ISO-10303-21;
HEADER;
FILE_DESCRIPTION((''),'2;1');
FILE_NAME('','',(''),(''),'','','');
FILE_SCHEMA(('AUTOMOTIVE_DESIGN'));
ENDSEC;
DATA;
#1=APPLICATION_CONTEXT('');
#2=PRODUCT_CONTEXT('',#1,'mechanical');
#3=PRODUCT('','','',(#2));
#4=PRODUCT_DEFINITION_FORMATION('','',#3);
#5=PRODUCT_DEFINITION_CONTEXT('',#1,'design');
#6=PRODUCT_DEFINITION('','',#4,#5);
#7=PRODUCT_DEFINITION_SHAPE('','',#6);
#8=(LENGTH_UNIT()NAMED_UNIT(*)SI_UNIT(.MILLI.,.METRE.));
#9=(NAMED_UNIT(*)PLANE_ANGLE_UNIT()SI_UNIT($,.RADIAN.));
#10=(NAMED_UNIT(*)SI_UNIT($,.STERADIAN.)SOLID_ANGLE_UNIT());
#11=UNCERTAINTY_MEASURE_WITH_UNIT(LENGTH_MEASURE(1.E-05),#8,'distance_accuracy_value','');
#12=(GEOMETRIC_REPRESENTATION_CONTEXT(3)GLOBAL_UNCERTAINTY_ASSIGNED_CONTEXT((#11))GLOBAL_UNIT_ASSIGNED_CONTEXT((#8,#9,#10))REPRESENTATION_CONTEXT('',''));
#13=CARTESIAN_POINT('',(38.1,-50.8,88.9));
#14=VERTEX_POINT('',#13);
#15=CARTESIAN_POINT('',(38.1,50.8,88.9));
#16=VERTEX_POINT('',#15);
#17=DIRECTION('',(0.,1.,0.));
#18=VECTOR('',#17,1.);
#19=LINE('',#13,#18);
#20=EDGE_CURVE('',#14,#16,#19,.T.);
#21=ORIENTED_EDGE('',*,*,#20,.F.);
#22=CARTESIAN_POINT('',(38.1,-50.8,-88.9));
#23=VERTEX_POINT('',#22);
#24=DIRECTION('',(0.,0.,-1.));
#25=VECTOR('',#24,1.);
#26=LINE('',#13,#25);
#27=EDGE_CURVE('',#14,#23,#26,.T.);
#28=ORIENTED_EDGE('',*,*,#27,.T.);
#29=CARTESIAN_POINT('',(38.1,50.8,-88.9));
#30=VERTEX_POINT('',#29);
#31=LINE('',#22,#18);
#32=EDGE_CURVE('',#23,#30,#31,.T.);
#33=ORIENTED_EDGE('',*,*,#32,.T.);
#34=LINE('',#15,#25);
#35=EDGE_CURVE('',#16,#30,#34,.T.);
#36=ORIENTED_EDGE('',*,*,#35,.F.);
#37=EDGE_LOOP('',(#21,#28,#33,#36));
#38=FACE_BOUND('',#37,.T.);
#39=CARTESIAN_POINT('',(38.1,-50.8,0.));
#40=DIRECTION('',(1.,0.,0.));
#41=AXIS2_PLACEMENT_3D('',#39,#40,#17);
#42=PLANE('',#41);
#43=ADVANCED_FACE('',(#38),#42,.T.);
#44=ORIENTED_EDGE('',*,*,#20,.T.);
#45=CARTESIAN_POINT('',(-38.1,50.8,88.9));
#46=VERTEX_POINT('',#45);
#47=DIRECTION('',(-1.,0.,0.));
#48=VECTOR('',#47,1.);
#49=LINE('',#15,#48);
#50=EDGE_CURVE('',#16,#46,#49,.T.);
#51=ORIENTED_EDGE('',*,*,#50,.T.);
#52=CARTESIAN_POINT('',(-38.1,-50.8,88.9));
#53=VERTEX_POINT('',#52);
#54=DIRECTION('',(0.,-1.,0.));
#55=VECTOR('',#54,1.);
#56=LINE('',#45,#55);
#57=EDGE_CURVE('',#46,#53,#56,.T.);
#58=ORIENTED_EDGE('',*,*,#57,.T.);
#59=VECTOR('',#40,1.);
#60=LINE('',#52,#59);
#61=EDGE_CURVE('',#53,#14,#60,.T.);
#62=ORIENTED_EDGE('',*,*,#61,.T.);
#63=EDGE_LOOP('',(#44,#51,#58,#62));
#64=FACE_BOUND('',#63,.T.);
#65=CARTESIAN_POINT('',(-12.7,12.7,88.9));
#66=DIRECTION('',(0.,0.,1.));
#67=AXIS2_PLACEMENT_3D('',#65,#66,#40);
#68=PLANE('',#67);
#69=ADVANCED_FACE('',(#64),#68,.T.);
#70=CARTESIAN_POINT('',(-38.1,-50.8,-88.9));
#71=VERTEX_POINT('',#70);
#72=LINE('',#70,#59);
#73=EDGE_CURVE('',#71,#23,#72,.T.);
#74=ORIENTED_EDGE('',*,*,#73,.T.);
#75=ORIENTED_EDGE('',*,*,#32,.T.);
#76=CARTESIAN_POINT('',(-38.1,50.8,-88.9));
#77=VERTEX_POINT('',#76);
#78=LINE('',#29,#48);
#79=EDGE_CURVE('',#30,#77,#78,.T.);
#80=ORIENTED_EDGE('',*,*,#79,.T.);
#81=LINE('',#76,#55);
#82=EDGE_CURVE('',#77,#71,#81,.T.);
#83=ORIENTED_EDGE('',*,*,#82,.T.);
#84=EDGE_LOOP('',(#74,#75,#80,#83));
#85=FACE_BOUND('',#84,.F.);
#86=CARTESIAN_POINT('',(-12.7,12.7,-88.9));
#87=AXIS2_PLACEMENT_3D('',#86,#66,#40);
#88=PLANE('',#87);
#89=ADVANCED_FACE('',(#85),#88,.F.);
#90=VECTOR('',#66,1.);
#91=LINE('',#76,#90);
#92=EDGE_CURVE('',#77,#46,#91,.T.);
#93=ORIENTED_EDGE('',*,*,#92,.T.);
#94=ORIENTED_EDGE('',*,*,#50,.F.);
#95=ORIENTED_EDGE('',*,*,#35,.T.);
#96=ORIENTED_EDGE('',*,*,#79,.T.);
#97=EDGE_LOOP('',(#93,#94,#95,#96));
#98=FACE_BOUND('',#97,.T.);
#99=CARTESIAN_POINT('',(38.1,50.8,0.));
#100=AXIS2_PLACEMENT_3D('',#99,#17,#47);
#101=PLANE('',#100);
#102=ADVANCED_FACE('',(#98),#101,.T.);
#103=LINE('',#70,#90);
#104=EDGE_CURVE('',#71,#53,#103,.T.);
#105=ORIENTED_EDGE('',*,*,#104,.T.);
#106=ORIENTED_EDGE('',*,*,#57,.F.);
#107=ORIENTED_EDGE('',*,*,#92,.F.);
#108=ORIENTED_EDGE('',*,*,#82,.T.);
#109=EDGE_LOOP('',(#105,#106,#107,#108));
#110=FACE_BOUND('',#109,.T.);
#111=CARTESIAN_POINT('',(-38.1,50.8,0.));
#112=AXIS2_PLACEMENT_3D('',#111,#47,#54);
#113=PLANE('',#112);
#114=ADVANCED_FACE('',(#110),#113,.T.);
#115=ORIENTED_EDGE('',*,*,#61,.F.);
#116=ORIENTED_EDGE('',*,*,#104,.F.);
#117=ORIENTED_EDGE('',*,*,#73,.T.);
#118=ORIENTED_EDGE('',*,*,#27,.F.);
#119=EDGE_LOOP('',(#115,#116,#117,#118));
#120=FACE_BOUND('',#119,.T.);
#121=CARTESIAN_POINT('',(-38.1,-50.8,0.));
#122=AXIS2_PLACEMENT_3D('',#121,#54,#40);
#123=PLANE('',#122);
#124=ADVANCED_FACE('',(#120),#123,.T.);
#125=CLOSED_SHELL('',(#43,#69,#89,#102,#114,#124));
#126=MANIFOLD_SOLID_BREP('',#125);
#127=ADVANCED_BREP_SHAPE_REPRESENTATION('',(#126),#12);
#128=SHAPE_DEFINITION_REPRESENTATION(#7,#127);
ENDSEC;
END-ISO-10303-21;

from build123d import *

# Parameters (mm, degrees)
F1_DEPTH = 88.9


with BuildPart() as f1:
    # F0 (on Top) → F1 (new body, symmetric)
    with BuildSketch(Plane.XY):
        Polygon((38.1, 50.8), (-38.1, 50.8), (-38.1, -50.8), align=None)
        Polygon((38.1, -50.8), (38.1, 50.8), (-38.1, -50.8), align=None)
    extrude(amount=F1_DEPTH, both=True)


solid = f1.part
